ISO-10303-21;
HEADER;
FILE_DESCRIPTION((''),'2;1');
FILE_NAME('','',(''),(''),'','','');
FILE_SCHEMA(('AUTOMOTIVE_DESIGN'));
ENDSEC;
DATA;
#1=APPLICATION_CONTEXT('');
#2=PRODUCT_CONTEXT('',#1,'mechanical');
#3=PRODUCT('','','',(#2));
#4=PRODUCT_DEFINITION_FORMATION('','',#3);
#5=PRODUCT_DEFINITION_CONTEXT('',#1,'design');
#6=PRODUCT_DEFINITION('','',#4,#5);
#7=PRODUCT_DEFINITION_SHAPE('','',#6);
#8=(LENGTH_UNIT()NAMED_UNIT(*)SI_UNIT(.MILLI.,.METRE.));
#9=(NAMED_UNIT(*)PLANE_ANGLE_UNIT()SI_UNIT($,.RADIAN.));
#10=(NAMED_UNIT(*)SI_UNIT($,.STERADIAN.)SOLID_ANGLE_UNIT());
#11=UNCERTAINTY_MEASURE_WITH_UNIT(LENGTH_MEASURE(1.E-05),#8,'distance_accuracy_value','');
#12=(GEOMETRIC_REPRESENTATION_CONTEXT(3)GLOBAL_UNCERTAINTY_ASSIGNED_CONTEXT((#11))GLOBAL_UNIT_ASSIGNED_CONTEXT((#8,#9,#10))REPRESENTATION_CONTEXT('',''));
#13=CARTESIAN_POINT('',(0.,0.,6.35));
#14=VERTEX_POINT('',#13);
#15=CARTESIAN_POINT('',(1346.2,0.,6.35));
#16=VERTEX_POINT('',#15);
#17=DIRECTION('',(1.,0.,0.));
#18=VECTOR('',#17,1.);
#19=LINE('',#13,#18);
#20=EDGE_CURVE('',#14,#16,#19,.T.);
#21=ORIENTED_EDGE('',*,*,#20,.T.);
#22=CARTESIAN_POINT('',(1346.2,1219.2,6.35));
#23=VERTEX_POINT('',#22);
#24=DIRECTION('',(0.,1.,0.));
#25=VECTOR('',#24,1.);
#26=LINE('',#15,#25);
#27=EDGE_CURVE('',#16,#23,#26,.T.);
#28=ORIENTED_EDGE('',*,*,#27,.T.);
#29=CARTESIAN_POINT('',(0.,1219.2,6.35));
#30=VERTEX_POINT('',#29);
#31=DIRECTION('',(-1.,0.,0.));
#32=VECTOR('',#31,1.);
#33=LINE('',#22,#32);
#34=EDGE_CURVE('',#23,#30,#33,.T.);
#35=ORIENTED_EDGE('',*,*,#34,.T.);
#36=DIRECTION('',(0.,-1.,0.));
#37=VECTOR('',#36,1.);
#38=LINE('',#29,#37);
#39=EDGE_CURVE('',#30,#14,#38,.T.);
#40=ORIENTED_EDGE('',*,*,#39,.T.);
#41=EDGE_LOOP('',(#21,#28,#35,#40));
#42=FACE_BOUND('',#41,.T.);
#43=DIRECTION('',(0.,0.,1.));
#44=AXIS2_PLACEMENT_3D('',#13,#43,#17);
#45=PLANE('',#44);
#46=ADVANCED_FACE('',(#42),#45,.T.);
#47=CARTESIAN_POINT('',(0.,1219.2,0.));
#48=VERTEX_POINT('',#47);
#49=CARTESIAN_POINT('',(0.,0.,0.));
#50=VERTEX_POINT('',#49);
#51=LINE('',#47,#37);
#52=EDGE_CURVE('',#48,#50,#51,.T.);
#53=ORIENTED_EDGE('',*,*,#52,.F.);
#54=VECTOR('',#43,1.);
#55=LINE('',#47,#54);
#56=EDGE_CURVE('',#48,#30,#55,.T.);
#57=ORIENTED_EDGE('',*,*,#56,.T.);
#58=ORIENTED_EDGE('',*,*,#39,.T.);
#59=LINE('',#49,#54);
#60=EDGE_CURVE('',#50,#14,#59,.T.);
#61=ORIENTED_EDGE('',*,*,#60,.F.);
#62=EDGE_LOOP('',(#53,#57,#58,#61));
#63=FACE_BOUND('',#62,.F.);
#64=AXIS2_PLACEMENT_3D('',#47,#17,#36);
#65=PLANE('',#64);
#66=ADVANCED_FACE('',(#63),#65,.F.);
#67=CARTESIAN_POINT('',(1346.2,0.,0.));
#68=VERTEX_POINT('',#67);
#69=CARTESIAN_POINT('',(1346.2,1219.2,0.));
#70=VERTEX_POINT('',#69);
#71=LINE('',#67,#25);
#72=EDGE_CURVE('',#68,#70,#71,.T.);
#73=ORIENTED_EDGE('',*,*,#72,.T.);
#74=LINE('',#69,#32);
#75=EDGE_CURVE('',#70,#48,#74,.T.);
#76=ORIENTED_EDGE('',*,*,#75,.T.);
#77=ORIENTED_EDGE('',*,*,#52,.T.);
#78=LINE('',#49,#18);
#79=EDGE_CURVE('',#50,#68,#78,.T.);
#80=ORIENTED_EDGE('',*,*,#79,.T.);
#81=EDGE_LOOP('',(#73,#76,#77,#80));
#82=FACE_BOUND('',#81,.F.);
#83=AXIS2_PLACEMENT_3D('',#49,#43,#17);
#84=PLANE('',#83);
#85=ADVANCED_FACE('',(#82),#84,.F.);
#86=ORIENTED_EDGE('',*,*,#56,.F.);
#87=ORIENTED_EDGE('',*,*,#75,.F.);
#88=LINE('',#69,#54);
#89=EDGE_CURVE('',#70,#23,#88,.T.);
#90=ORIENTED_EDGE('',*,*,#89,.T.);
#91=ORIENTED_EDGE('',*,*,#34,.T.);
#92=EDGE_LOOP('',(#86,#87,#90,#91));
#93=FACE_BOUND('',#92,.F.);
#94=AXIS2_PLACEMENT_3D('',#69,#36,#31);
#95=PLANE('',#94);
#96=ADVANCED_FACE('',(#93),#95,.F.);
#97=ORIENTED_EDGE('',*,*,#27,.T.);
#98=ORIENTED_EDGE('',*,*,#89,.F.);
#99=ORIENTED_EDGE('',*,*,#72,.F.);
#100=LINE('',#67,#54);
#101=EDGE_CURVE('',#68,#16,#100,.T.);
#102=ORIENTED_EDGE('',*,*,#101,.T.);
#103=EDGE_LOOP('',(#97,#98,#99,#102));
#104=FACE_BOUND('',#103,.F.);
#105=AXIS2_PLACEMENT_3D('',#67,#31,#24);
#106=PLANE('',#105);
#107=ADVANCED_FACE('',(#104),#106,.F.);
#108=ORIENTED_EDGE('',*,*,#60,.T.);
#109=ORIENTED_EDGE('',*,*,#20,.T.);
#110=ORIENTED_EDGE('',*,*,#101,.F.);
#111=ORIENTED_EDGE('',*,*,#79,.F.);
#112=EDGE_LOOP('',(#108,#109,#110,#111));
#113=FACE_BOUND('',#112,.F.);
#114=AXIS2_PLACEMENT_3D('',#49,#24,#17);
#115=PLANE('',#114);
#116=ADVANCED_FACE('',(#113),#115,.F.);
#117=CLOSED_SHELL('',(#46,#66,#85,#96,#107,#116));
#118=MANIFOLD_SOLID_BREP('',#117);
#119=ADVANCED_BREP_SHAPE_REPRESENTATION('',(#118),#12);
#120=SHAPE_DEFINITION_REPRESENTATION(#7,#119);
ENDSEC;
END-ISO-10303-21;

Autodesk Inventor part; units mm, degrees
ref_plane "YZ Plane" through (0, 0, 0) normal (1, 0, 0) x (0, 1, 0)
ref_plane "XZ Plane" through (0, 0, 0) normal (0, 1, 0) x (-1, 0, 0)
ref_plane "XY Plane" through (0, 0, 0) normal (0, 0, 1) x (1, 0, 0)
sketch "Sketch1" plane through (0, 0, 0) normal (0, 0, 1) x (1, 0, 0)
  line L0 (0, 0) -> (1346.2, 0)
  line L1 (1346.2, 0) -> (1346.2, 1219.2)
  line L2 (1346.2, 1219.2) -> (0, 1219.2)
  line L3 (0, 1219.2) -> (0, 0)
  dimension "d0" = 1346.2
  dimension "d1" = 1219.2
extrude "Extrusion1" add sketch "Sketch1" along normal blind 6.35
properties material "Polycarbonate, Clear"
